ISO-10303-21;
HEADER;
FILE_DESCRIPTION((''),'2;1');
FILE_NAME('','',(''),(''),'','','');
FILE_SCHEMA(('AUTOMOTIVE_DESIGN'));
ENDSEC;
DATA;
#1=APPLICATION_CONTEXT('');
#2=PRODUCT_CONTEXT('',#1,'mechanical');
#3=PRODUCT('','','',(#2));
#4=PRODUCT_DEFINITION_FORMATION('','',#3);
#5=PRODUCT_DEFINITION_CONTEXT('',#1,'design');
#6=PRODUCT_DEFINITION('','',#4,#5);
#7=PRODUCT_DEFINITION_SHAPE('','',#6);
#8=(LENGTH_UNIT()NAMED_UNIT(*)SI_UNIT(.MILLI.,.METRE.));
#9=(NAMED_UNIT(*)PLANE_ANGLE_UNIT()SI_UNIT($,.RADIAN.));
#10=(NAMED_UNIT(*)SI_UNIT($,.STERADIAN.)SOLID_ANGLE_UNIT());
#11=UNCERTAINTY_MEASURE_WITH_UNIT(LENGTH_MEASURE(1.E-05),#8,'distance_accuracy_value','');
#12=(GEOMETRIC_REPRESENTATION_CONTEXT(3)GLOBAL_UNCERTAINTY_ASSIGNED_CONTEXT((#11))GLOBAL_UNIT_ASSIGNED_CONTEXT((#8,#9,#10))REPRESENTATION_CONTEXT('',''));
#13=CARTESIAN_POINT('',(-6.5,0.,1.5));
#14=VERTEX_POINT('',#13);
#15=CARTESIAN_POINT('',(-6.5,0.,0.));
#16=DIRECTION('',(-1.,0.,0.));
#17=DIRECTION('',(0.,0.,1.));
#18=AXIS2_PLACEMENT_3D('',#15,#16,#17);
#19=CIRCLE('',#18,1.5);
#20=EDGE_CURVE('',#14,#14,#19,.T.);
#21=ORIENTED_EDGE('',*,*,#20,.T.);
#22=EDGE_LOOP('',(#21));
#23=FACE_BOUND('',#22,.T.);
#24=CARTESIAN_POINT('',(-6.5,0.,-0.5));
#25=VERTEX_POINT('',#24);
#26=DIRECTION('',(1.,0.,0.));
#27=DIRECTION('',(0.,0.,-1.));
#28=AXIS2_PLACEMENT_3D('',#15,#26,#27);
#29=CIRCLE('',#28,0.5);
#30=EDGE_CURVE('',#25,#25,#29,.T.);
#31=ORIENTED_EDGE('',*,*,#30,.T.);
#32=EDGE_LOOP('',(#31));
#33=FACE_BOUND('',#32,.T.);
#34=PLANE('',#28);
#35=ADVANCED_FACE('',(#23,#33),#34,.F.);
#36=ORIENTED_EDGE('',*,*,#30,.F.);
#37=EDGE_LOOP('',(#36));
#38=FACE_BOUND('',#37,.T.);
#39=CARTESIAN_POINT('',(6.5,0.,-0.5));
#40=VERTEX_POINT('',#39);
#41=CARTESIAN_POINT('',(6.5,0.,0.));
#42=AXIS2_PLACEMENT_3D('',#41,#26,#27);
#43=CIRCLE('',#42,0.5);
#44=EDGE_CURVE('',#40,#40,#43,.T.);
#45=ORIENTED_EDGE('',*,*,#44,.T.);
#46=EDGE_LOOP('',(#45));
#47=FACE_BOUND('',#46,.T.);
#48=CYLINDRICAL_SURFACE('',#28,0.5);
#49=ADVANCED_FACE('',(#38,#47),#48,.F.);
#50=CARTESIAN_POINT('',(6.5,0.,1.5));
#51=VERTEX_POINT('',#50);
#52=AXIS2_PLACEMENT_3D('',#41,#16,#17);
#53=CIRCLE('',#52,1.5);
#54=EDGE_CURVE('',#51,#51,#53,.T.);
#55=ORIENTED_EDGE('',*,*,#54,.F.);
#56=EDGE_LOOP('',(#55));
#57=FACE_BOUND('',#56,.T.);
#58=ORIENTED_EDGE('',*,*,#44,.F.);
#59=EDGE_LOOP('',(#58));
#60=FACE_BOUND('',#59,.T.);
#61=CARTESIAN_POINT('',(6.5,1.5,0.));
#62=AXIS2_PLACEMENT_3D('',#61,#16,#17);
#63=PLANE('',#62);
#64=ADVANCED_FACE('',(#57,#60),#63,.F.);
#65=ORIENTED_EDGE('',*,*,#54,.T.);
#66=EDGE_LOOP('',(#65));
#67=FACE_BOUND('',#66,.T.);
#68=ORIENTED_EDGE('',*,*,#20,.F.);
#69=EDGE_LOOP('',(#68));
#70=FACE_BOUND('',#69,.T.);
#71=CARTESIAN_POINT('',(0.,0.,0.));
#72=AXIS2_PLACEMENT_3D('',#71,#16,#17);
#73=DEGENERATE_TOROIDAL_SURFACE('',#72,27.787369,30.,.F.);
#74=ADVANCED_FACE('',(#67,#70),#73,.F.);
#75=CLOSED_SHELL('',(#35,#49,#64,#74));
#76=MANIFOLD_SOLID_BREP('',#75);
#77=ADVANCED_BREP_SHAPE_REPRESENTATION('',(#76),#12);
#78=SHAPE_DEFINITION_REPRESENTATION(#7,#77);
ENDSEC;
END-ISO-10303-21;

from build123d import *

# Parameters (mm, degrees)
SKETCH8_R               = 0.5
CUT_EXTRUDE1_DEPTH      = 7.5000001
CUT_EXTRUDE1_DEPTH_BACK = 7.5000001


with BuildPart() as part:
    # Sketch4 → Revolve1 (revolve)
    with BuildSketch(Plane.XY):
        with BuildLine():
            Line((-6.5, 0), (-6.5, 1.5))
            ThreePointArc((-6.5, 1.5), (0, 2.212630709), (6.5, 1.5))
            Line((6.5, 1.5), (6.5, 0))
            Line((6.5, 0), (-6.5, 0))
        make_face()
    revolve(axis=Axis((0, 0, 0), (1, 0, 0)))

    # Sketch8 → Cut-Extrude1 (cut, two sides)
    with BuildSketch(Plane(origin=(0, 0, 0), x_dir=(0, 0, -1), z_dir=(1, 0, 0))) as cut_extrude1_sk:
        Circle(SKETCH8_R)
    extrude(amount=CUT_EXTRUDE1_DEPTH, mode=Mode.SUBTRACT)
    extrude(cut_extrude1_sk.sketch, amount=-CUT_EXTRUDE1_DEPTH_BACK, mode=Mode.SUBTRACT)


solid = part.part
